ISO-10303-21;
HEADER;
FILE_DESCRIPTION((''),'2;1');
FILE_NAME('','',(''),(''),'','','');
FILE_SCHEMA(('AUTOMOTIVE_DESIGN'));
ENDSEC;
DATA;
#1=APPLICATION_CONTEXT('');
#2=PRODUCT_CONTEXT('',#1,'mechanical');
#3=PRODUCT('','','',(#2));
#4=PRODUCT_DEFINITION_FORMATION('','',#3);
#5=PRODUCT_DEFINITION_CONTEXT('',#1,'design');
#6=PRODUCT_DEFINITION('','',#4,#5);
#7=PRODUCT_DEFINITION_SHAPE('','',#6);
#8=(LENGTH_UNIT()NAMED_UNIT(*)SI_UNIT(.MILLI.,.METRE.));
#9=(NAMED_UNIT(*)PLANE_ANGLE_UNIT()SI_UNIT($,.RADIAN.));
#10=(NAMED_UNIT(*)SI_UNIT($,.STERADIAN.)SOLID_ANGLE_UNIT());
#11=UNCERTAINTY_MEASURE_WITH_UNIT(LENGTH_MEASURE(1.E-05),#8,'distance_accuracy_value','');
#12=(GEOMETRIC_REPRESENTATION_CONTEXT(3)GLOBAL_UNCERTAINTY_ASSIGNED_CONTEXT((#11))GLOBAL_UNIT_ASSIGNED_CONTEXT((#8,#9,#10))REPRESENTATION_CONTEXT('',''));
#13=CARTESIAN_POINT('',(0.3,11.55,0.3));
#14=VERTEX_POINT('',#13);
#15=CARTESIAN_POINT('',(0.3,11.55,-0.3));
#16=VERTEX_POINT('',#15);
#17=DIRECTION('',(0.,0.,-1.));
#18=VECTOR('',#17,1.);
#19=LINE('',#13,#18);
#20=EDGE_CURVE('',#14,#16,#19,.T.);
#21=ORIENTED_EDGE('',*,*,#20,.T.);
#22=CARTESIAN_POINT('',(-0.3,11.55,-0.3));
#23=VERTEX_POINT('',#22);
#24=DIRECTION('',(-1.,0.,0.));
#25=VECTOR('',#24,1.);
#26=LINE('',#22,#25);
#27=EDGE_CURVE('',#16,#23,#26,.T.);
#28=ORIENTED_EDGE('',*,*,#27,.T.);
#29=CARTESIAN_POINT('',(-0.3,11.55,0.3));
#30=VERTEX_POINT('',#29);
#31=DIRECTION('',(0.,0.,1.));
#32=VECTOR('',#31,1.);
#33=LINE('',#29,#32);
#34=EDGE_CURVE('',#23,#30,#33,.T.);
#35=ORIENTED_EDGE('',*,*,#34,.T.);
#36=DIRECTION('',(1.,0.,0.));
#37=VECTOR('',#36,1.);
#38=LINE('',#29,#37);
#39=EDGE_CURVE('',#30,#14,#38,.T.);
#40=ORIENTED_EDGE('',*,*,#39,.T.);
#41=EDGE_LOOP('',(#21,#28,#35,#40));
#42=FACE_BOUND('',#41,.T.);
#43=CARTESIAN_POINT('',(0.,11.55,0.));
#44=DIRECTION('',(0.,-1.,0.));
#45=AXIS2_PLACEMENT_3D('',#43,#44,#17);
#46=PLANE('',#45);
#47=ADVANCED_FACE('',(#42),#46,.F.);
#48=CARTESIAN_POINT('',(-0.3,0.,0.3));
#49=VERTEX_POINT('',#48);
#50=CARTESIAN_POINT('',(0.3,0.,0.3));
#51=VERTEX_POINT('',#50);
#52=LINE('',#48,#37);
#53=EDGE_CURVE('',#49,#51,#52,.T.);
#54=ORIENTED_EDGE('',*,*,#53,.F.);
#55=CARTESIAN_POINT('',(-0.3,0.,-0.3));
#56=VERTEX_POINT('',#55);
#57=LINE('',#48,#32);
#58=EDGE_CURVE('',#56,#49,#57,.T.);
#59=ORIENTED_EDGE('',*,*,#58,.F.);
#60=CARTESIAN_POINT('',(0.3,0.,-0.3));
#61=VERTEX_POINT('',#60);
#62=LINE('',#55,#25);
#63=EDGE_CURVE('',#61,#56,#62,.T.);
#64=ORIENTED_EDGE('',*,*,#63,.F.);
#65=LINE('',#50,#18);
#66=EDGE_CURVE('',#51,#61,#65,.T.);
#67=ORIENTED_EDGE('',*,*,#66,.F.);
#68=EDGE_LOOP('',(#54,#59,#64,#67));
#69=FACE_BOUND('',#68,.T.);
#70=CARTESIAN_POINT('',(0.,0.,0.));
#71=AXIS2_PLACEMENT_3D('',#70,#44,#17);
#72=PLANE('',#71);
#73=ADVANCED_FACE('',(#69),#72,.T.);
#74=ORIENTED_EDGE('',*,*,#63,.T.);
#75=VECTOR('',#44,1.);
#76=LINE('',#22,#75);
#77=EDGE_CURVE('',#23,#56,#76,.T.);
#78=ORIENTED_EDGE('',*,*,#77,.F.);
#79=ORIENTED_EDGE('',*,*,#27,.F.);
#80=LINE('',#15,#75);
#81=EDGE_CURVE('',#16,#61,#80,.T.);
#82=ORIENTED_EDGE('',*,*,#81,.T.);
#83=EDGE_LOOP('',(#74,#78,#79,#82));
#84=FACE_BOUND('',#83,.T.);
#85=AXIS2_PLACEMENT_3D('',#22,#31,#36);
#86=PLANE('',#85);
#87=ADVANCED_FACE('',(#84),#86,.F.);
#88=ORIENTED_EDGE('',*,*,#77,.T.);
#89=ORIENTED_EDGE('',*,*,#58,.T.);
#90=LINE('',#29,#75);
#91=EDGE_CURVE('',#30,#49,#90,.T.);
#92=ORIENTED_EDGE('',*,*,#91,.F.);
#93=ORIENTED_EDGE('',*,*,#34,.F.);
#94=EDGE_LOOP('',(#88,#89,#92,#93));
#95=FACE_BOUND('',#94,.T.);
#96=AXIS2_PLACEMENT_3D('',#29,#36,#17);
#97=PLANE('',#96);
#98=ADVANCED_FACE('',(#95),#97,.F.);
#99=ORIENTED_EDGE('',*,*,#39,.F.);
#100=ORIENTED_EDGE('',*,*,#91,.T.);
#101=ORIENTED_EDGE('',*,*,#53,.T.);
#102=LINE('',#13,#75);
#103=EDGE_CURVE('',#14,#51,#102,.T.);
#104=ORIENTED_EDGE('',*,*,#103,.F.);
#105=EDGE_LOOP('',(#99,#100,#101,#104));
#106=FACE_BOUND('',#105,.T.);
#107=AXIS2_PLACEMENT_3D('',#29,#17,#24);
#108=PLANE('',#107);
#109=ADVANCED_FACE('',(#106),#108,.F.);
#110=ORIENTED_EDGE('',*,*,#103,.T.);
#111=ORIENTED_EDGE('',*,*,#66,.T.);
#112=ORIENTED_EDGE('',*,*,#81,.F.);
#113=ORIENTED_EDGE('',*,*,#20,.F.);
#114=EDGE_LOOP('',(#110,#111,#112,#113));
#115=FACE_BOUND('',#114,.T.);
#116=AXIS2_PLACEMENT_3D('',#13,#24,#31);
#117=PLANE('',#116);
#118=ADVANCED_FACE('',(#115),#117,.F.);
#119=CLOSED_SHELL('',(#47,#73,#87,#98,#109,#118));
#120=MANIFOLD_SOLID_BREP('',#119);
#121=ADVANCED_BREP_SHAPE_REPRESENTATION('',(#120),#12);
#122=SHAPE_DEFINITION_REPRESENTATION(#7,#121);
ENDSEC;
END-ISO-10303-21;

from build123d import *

# Parameters (mm, degrees)
ESBO_O1_W                = 0.6
ESBO_O1_H                = 0.6
RESSALTO_EXTRUS_O1_DEPTH = 11.55


with BuildPart() as part:
    # Esboço1 → Ressalto-extrusão1 (new body)
    with BuildSketch(Plane(origin=(0, 0, 0), x_dir=(1, 0, 0), z_dir=(0, 1, 0))):
        Rectangle(ESBO_O1_W, ESBO_O1_H)
    extrude(amount=RESSALTO_EXTRUS_O1_DEPTH)


solid = part.part
